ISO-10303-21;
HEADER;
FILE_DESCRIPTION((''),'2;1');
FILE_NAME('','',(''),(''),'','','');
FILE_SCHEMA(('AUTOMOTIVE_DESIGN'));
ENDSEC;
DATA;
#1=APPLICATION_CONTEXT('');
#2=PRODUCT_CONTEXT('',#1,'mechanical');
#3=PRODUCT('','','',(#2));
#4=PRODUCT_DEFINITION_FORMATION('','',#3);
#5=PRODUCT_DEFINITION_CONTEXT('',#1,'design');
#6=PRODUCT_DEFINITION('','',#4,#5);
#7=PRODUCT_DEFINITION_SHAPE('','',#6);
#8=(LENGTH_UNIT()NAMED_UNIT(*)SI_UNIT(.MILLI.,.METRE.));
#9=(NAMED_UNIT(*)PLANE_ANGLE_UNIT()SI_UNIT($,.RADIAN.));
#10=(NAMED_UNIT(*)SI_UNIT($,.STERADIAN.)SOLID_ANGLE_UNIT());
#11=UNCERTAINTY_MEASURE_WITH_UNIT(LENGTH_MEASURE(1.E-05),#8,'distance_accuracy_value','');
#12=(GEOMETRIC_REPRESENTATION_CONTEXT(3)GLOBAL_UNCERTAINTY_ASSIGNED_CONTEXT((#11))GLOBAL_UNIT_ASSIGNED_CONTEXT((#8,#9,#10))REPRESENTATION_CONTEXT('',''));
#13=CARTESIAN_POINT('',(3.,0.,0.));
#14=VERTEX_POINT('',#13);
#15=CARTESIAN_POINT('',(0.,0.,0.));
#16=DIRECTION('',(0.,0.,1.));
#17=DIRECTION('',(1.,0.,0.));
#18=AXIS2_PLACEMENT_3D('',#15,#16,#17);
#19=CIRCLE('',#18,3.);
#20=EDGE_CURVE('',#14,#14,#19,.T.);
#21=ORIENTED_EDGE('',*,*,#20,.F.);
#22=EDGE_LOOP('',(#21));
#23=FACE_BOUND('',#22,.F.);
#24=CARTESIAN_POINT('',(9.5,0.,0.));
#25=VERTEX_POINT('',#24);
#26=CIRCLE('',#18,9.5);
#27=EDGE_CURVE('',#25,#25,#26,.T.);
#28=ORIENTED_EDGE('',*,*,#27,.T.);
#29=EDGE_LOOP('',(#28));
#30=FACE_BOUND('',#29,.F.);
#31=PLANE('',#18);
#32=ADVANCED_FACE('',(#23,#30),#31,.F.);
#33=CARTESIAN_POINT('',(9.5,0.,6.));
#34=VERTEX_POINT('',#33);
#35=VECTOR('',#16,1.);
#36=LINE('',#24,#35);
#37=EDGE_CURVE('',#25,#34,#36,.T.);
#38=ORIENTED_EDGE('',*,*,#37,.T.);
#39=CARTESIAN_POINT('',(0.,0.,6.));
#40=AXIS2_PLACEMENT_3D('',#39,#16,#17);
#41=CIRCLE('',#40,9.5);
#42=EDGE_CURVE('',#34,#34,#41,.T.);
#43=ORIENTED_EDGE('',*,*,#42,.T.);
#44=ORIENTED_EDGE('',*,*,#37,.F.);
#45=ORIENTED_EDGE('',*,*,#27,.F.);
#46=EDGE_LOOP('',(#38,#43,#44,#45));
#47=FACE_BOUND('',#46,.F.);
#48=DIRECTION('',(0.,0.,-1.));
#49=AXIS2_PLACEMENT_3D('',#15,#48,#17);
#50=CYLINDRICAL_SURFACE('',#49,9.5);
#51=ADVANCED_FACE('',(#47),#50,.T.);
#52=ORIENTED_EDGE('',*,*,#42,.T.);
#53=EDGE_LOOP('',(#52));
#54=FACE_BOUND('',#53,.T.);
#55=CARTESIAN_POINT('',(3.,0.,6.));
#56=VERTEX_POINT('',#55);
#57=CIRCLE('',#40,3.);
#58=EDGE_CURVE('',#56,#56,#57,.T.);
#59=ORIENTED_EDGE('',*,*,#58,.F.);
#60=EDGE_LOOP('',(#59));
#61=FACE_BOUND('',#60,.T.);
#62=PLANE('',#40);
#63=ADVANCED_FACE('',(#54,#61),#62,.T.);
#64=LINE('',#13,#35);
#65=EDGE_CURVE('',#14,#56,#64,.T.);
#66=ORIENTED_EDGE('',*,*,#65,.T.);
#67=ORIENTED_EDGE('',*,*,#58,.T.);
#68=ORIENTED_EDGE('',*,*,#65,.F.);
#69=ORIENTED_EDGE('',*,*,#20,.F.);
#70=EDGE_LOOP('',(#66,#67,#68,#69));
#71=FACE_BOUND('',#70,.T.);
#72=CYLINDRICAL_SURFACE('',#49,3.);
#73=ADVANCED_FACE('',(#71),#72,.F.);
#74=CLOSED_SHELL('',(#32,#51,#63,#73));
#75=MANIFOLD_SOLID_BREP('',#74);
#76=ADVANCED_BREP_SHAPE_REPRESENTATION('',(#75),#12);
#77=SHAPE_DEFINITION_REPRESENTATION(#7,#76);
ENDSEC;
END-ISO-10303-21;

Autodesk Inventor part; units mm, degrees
ref_plane "YZ Plane" through (0, 0, 0) normal (1, 0, 0) x (0, 1, 0)
ref_plane "XZ Plane" through (0, 0, 0) normal (0, 1, 0) x (-1, 0, 0)
ref_plane "XY Plane" through (0, 0, 0) normal (0, 0, 1) x (1, 0, 0)
sketch "Sketch1" plane through (0, 0, 0) normal (0, 0, 1) x (1, 0, 0)
  circle A0 centre (0, 0) radius 3
  circle A1 centre (0, 0) radius 9.5
  dimension "d0" = 6
  dimension "d1" = 19
extrude "Extrusion1" add sketch "Sketch1" along normal blind 6
properties part number "Ruleman"
